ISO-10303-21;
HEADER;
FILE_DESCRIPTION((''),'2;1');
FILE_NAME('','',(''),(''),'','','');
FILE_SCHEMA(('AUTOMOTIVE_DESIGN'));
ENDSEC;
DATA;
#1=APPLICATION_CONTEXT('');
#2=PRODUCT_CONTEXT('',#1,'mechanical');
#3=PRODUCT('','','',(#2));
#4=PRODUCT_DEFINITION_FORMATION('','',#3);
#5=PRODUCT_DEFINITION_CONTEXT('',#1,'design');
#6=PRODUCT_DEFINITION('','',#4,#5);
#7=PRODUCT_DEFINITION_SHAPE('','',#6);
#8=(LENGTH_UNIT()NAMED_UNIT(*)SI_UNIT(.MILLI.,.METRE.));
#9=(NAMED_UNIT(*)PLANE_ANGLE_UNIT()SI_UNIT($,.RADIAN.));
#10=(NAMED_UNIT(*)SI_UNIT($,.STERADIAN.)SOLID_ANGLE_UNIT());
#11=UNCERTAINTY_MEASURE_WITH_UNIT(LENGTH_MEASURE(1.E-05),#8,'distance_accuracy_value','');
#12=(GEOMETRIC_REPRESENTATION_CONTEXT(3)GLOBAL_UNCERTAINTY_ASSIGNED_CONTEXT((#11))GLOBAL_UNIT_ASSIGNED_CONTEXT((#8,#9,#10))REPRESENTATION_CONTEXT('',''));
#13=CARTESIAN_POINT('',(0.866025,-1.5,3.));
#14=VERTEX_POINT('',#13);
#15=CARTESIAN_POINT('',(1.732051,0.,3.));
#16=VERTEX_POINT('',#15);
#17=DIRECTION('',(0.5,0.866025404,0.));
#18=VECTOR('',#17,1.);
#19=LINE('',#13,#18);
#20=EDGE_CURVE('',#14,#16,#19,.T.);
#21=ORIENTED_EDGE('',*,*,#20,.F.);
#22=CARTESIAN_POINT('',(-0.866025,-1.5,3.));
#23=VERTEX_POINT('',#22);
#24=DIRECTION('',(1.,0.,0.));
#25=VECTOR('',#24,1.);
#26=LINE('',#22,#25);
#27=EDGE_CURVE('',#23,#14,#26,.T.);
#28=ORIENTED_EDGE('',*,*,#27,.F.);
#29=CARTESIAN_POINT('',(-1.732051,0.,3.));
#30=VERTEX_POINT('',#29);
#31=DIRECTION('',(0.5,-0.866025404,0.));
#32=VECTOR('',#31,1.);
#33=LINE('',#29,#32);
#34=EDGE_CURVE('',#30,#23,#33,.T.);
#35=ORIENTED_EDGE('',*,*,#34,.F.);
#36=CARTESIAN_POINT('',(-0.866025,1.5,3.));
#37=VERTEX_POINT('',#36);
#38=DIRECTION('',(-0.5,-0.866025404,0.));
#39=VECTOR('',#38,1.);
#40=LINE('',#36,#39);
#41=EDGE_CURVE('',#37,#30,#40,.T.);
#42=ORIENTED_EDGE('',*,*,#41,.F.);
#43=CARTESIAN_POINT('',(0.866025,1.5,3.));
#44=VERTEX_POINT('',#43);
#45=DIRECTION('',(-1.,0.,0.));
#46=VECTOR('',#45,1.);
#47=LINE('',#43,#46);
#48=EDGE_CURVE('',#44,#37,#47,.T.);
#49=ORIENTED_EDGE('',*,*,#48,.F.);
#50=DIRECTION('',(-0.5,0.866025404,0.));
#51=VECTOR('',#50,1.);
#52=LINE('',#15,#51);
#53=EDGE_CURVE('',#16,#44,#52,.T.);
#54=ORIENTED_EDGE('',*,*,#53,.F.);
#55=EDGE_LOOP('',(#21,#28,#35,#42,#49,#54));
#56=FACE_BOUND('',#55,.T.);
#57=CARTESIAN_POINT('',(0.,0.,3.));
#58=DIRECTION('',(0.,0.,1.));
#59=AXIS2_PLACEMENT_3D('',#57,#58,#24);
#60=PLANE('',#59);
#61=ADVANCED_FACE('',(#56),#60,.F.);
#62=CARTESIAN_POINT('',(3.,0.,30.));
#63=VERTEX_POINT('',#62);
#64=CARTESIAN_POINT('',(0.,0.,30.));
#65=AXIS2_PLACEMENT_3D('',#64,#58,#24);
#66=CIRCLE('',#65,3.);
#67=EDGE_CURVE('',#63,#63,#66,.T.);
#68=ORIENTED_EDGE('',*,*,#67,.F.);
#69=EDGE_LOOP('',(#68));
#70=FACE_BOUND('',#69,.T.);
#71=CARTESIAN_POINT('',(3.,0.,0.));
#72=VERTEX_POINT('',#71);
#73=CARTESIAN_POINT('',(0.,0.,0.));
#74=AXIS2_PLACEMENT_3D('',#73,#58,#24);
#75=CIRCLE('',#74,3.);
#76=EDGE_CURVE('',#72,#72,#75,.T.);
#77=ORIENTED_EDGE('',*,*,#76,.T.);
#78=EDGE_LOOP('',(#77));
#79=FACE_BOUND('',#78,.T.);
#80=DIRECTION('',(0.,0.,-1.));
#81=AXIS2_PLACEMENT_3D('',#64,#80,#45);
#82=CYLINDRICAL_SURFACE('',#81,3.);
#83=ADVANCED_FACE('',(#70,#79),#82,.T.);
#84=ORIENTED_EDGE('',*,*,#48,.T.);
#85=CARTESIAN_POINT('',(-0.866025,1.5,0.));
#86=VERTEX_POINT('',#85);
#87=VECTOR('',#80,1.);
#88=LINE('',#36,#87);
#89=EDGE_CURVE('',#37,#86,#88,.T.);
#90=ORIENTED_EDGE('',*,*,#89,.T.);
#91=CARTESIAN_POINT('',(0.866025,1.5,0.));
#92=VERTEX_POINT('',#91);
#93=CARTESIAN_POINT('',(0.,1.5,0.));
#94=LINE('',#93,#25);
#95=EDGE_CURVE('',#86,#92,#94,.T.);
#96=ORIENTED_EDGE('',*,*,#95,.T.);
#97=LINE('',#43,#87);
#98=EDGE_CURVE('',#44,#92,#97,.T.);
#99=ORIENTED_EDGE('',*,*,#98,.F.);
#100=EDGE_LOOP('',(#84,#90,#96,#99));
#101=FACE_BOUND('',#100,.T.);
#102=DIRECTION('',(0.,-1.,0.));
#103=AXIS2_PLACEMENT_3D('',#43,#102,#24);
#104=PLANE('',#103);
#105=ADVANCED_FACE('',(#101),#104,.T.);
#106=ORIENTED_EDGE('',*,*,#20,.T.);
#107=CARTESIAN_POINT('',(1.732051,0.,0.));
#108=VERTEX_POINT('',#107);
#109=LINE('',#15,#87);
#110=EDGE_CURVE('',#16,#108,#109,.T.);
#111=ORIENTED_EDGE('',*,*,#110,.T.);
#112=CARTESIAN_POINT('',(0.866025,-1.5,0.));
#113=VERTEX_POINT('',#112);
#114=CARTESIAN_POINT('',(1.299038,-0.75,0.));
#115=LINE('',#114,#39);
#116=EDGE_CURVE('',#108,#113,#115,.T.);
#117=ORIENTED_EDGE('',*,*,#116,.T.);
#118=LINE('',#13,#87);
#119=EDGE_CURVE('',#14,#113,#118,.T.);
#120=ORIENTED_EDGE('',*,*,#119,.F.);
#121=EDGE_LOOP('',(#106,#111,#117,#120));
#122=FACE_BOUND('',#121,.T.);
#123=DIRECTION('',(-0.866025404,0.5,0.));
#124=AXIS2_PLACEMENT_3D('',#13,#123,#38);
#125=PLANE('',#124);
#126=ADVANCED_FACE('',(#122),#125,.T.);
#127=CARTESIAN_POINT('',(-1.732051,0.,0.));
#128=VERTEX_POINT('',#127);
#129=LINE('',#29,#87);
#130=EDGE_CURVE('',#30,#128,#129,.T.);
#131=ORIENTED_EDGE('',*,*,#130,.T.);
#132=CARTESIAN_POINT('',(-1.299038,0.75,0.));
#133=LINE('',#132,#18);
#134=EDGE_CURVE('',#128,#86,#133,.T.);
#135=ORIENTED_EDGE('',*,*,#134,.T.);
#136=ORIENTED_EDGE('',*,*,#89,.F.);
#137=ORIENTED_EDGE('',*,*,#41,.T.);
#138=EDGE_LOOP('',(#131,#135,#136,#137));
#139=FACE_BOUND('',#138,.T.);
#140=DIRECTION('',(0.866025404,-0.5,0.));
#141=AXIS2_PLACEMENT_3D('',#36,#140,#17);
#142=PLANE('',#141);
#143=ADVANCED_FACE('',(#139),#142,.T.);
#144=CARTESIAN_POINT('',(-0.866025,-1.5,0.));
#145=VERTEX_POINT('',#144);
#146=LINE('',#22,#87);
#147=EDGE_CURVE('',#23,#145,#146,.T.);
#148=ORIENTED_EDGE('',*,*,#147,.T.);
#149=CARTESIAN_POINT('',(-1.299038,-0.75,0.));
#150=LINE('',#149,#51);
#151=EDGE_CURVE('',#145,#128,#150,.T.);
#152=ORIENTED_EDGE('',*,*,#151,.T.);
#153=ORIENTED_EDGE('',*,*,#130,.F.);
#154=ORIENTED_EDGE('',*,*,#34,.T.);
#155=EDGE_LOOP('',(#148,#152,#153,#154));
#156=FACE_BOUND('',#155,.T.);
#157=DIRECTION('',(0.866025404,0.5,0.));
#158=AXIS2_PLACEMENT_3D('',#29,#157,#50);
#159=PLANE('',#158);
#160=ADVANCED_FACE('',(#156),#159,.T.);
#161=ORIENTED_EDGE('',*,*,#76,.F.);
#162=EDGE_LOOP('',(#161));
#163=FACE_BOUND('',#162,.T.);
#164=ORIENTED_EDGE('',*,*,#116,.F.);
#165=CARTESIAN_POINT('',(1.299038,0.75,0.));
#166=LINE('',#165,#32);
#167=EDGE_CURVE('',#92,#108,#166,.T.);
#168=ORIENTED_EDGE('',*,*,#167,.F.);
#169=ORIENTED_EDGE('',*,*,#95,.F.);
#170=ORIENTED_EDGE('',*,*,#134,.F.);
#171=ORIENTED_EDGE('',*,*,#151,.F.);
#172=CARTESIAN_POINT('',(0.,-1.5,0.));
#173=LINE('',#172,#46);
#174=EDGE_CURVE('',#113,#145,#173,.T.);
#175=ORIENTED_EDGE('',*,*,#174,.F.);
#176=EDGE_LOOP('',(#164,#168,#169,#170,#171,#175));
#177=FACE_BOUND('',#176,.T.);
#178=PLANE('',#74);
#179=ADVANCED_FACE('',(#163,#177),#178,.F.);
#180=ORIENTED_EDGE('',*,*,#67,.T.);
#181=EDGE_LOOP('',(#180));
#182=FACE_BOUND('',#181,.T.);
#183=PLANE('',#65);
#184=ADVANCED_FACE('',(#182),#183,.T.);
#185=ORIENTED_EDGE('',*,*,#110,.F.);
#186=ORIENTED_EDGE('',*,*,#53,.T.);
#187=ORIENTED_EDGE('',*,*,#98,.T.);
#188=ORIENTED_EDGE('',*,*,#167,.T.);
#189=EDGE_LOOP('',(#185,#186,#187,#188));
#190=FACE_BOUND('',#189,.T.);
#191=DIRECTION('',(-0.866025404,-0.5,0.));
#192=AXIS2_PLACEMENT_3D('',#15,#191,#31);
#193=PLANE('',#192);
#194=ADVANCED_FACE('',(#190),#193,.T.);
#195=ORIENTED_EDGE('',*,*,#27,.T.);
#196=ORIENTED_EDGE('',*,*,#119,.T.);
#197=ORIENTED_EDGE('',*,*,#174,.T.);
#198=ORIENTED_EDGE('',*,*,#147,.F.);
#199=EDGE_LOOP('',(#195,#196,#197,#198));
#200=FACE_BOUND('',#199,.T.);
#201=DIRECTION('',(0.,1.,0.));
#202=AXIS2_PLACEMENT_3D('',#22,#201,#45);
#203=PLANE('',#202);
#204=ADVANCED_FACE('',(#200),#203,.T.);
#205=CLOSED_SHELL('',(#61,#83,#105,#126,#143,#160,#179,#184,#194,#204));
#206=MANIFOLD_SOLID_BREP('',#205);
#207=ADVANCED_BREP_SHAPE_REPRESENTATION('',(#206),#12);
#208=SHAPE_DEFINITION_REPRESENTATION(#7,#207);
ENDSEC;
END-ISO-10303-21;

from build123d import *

# Parameters (mm, degrees)
S01_M6_CONNECTING_STUD_R      = 3
F_01_M6_CONNECTING_STUD_DEPTH = 30
F_02_START                    = -0.1
F_02_HEX_KEY_SOCKET_DEPTH     = 3.1


with BuildPart() as part:
    # S01 - M6 connecting stud → 01 - M6 connecting stud (new body)
    with BuildSketch(Plane.XY):
        Circle(S01_M6_CONNECTING_STUD_R)
    extrude(amount=F_01_M6_CONNECTING_STUD_DEPTH)

    # S02 - Hex key socket → 02 - Hex key socket (cut)
    with BuildSketch(Plane.XY.offset(F_02_START)):
        Polygon((1.732050808, 0), (0.866025404, 1.5), (-0.866025404, 1.5), (-1.732050808, 0), (-0.866025404, -1.5), (0.866025404, -1.5), align=None)
    extrude(amount=F_02_HEX_KEY_SOCKET_DEPTH, mode=Mode.SUBTRACT)


solid = part.part
